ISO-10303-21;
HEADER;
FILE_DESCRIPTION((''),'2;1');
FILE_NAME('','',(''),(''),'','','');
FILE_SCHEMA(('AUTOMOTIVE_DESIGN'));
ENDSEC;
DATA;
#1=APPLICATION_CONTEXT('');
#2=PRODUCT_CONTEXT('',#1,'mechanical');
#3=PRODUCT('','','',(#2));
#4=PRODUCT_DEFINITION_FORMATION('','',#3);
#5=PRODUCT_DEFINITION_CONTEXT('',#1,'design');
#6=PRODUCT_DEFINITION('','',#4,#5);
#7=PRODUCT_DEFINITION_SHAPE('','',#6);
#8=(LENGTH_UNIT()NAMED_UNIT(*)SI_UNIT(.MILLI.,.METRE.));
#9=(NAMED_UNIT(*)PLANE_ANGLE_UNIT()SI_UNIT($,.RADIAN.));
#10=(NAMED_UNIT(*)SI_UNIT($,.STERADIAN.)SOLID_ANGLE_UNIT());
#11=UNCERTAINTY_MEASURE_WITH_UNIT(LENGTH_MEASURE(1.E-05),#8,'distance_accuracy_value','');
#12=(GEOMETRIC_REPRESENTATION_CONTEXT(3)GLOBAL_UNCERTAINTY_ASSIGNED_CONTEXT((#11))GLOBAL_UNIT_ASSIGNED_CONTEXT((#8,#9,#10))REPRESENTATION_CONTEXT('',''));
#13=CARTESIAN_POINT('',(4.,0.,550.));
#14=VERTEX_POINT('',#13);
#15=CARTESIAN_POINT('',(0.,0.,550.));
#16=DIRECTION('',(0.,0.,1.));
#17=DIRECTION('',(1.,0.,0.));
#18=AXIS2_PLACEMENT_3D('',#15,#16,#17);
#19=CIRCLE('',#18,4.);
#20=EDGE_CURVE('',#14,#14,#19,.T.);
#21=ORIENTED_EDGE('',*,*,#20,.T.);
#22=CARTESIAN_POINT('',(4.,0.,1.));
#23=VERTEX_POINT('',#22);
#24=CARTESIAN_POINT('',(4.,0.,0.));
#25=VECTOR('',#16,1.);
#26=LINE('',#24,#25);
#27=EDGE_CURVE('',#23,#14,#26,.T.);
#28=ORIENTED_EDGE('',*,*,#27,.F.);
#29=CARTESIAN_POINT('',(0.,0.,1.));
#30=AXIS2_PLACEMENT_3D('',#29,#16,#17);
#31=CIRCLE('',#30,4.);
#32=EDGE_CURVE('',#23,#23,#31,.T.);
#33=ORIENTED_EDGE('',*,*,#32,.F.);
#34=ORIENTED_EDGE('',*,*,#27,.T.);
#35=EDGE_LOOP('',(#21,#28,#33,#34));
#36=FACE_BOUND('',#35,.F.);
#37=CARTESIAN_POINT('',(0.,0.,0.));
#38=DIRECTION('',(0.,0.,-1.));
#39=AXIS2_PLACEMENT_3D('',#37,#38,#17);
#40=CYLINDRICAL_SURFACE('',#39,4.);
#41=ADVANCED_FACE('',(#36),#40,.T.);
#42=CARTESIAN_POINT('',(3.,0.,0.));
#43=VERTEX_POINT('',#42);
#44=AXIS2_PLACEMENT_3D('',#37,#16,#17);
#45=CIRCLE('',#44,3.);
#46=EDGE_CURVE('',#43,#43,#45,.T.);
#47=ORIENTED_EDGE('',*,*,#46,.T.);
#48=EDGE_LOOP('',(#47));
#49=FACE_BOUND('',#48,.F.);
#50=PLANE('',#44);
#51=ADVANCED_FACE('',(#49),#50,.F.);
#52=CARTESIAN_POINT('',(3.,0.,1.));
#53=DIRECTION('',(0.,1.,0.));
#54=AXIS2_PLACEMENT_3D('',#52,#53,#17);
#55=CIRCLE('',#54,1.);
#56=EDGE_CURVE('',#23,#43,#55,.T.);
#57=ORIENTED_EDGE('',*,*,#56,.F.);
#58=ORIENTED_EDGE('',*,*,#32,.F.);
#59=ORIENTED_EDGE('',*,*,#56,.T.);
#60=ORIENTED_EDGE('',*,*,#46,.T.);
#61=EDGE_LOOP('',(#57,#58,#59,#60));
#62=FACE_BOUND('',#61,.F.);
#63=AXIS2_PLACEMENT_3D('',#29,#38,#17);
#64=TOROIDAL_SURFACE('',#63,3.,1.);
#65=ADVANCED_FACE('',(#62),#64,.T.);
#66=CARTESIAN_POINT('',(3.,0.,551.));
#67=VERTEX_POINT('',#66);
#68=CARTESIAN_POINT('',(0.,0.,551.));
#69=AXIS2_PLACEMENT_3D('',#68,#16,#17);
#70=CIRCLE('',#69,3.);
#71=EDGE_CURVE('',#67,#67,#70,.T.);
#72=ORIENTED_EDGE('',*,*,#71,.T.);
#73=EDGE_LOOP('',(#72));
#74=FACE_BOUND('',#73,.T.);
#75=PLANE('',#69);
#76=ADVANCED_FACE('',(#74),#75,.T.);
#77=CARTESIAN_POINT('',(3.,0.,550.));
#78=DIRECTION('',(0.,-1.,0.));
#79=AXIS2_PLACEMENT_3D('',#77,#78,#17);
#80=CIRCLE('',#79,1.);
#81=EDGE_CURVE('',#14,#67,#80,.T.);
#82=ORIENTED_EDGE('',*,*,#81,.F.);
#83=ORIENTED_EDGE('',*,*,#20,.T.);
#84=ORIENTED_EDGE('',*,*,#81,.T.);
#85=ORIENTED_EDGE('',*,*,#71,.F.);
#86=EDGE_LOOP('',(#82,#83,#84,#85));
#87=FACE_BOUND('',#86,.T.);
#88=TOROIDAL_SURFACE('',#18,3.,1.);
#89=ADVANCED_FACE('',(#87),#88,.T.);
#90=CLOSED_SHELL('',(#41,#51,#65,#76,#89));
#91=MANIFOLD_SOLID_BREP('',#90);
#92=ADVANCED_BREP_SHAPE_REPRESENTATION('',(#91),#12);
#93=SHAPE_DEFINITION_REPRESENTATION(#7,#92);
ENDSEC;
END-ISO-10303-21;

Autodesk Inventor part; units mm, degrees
ref_plane "YZ Plane" through (0, 0, 0) normal (1, 0, 0) x (0, 1, 0)
ref_plane "XZ Plane" through (0, 0, 0) normal (0, 1, 0) x (-1, 0, 0)
ref_plane "XY Plane" through (0, 0, 0) normal (0, 0, 1) x (1, 0, 0)
sketch "Sketch1" plane through (0, 0, 0) normal (0, 0, 1) x (1, 0, 0)
  circle A0 centre (0, 0) radius 4
  dimension "d0" = 8
extrude "Extrusion1" add sketch "Sketch1" along normal blind 551
fillet "Fillet1" radius 1 2 edges at (-4, 0, 551) (-4, 0, 0)
properties part number "x_axis_rod_horizontal" material "Stainless Steel, Austenitic"
